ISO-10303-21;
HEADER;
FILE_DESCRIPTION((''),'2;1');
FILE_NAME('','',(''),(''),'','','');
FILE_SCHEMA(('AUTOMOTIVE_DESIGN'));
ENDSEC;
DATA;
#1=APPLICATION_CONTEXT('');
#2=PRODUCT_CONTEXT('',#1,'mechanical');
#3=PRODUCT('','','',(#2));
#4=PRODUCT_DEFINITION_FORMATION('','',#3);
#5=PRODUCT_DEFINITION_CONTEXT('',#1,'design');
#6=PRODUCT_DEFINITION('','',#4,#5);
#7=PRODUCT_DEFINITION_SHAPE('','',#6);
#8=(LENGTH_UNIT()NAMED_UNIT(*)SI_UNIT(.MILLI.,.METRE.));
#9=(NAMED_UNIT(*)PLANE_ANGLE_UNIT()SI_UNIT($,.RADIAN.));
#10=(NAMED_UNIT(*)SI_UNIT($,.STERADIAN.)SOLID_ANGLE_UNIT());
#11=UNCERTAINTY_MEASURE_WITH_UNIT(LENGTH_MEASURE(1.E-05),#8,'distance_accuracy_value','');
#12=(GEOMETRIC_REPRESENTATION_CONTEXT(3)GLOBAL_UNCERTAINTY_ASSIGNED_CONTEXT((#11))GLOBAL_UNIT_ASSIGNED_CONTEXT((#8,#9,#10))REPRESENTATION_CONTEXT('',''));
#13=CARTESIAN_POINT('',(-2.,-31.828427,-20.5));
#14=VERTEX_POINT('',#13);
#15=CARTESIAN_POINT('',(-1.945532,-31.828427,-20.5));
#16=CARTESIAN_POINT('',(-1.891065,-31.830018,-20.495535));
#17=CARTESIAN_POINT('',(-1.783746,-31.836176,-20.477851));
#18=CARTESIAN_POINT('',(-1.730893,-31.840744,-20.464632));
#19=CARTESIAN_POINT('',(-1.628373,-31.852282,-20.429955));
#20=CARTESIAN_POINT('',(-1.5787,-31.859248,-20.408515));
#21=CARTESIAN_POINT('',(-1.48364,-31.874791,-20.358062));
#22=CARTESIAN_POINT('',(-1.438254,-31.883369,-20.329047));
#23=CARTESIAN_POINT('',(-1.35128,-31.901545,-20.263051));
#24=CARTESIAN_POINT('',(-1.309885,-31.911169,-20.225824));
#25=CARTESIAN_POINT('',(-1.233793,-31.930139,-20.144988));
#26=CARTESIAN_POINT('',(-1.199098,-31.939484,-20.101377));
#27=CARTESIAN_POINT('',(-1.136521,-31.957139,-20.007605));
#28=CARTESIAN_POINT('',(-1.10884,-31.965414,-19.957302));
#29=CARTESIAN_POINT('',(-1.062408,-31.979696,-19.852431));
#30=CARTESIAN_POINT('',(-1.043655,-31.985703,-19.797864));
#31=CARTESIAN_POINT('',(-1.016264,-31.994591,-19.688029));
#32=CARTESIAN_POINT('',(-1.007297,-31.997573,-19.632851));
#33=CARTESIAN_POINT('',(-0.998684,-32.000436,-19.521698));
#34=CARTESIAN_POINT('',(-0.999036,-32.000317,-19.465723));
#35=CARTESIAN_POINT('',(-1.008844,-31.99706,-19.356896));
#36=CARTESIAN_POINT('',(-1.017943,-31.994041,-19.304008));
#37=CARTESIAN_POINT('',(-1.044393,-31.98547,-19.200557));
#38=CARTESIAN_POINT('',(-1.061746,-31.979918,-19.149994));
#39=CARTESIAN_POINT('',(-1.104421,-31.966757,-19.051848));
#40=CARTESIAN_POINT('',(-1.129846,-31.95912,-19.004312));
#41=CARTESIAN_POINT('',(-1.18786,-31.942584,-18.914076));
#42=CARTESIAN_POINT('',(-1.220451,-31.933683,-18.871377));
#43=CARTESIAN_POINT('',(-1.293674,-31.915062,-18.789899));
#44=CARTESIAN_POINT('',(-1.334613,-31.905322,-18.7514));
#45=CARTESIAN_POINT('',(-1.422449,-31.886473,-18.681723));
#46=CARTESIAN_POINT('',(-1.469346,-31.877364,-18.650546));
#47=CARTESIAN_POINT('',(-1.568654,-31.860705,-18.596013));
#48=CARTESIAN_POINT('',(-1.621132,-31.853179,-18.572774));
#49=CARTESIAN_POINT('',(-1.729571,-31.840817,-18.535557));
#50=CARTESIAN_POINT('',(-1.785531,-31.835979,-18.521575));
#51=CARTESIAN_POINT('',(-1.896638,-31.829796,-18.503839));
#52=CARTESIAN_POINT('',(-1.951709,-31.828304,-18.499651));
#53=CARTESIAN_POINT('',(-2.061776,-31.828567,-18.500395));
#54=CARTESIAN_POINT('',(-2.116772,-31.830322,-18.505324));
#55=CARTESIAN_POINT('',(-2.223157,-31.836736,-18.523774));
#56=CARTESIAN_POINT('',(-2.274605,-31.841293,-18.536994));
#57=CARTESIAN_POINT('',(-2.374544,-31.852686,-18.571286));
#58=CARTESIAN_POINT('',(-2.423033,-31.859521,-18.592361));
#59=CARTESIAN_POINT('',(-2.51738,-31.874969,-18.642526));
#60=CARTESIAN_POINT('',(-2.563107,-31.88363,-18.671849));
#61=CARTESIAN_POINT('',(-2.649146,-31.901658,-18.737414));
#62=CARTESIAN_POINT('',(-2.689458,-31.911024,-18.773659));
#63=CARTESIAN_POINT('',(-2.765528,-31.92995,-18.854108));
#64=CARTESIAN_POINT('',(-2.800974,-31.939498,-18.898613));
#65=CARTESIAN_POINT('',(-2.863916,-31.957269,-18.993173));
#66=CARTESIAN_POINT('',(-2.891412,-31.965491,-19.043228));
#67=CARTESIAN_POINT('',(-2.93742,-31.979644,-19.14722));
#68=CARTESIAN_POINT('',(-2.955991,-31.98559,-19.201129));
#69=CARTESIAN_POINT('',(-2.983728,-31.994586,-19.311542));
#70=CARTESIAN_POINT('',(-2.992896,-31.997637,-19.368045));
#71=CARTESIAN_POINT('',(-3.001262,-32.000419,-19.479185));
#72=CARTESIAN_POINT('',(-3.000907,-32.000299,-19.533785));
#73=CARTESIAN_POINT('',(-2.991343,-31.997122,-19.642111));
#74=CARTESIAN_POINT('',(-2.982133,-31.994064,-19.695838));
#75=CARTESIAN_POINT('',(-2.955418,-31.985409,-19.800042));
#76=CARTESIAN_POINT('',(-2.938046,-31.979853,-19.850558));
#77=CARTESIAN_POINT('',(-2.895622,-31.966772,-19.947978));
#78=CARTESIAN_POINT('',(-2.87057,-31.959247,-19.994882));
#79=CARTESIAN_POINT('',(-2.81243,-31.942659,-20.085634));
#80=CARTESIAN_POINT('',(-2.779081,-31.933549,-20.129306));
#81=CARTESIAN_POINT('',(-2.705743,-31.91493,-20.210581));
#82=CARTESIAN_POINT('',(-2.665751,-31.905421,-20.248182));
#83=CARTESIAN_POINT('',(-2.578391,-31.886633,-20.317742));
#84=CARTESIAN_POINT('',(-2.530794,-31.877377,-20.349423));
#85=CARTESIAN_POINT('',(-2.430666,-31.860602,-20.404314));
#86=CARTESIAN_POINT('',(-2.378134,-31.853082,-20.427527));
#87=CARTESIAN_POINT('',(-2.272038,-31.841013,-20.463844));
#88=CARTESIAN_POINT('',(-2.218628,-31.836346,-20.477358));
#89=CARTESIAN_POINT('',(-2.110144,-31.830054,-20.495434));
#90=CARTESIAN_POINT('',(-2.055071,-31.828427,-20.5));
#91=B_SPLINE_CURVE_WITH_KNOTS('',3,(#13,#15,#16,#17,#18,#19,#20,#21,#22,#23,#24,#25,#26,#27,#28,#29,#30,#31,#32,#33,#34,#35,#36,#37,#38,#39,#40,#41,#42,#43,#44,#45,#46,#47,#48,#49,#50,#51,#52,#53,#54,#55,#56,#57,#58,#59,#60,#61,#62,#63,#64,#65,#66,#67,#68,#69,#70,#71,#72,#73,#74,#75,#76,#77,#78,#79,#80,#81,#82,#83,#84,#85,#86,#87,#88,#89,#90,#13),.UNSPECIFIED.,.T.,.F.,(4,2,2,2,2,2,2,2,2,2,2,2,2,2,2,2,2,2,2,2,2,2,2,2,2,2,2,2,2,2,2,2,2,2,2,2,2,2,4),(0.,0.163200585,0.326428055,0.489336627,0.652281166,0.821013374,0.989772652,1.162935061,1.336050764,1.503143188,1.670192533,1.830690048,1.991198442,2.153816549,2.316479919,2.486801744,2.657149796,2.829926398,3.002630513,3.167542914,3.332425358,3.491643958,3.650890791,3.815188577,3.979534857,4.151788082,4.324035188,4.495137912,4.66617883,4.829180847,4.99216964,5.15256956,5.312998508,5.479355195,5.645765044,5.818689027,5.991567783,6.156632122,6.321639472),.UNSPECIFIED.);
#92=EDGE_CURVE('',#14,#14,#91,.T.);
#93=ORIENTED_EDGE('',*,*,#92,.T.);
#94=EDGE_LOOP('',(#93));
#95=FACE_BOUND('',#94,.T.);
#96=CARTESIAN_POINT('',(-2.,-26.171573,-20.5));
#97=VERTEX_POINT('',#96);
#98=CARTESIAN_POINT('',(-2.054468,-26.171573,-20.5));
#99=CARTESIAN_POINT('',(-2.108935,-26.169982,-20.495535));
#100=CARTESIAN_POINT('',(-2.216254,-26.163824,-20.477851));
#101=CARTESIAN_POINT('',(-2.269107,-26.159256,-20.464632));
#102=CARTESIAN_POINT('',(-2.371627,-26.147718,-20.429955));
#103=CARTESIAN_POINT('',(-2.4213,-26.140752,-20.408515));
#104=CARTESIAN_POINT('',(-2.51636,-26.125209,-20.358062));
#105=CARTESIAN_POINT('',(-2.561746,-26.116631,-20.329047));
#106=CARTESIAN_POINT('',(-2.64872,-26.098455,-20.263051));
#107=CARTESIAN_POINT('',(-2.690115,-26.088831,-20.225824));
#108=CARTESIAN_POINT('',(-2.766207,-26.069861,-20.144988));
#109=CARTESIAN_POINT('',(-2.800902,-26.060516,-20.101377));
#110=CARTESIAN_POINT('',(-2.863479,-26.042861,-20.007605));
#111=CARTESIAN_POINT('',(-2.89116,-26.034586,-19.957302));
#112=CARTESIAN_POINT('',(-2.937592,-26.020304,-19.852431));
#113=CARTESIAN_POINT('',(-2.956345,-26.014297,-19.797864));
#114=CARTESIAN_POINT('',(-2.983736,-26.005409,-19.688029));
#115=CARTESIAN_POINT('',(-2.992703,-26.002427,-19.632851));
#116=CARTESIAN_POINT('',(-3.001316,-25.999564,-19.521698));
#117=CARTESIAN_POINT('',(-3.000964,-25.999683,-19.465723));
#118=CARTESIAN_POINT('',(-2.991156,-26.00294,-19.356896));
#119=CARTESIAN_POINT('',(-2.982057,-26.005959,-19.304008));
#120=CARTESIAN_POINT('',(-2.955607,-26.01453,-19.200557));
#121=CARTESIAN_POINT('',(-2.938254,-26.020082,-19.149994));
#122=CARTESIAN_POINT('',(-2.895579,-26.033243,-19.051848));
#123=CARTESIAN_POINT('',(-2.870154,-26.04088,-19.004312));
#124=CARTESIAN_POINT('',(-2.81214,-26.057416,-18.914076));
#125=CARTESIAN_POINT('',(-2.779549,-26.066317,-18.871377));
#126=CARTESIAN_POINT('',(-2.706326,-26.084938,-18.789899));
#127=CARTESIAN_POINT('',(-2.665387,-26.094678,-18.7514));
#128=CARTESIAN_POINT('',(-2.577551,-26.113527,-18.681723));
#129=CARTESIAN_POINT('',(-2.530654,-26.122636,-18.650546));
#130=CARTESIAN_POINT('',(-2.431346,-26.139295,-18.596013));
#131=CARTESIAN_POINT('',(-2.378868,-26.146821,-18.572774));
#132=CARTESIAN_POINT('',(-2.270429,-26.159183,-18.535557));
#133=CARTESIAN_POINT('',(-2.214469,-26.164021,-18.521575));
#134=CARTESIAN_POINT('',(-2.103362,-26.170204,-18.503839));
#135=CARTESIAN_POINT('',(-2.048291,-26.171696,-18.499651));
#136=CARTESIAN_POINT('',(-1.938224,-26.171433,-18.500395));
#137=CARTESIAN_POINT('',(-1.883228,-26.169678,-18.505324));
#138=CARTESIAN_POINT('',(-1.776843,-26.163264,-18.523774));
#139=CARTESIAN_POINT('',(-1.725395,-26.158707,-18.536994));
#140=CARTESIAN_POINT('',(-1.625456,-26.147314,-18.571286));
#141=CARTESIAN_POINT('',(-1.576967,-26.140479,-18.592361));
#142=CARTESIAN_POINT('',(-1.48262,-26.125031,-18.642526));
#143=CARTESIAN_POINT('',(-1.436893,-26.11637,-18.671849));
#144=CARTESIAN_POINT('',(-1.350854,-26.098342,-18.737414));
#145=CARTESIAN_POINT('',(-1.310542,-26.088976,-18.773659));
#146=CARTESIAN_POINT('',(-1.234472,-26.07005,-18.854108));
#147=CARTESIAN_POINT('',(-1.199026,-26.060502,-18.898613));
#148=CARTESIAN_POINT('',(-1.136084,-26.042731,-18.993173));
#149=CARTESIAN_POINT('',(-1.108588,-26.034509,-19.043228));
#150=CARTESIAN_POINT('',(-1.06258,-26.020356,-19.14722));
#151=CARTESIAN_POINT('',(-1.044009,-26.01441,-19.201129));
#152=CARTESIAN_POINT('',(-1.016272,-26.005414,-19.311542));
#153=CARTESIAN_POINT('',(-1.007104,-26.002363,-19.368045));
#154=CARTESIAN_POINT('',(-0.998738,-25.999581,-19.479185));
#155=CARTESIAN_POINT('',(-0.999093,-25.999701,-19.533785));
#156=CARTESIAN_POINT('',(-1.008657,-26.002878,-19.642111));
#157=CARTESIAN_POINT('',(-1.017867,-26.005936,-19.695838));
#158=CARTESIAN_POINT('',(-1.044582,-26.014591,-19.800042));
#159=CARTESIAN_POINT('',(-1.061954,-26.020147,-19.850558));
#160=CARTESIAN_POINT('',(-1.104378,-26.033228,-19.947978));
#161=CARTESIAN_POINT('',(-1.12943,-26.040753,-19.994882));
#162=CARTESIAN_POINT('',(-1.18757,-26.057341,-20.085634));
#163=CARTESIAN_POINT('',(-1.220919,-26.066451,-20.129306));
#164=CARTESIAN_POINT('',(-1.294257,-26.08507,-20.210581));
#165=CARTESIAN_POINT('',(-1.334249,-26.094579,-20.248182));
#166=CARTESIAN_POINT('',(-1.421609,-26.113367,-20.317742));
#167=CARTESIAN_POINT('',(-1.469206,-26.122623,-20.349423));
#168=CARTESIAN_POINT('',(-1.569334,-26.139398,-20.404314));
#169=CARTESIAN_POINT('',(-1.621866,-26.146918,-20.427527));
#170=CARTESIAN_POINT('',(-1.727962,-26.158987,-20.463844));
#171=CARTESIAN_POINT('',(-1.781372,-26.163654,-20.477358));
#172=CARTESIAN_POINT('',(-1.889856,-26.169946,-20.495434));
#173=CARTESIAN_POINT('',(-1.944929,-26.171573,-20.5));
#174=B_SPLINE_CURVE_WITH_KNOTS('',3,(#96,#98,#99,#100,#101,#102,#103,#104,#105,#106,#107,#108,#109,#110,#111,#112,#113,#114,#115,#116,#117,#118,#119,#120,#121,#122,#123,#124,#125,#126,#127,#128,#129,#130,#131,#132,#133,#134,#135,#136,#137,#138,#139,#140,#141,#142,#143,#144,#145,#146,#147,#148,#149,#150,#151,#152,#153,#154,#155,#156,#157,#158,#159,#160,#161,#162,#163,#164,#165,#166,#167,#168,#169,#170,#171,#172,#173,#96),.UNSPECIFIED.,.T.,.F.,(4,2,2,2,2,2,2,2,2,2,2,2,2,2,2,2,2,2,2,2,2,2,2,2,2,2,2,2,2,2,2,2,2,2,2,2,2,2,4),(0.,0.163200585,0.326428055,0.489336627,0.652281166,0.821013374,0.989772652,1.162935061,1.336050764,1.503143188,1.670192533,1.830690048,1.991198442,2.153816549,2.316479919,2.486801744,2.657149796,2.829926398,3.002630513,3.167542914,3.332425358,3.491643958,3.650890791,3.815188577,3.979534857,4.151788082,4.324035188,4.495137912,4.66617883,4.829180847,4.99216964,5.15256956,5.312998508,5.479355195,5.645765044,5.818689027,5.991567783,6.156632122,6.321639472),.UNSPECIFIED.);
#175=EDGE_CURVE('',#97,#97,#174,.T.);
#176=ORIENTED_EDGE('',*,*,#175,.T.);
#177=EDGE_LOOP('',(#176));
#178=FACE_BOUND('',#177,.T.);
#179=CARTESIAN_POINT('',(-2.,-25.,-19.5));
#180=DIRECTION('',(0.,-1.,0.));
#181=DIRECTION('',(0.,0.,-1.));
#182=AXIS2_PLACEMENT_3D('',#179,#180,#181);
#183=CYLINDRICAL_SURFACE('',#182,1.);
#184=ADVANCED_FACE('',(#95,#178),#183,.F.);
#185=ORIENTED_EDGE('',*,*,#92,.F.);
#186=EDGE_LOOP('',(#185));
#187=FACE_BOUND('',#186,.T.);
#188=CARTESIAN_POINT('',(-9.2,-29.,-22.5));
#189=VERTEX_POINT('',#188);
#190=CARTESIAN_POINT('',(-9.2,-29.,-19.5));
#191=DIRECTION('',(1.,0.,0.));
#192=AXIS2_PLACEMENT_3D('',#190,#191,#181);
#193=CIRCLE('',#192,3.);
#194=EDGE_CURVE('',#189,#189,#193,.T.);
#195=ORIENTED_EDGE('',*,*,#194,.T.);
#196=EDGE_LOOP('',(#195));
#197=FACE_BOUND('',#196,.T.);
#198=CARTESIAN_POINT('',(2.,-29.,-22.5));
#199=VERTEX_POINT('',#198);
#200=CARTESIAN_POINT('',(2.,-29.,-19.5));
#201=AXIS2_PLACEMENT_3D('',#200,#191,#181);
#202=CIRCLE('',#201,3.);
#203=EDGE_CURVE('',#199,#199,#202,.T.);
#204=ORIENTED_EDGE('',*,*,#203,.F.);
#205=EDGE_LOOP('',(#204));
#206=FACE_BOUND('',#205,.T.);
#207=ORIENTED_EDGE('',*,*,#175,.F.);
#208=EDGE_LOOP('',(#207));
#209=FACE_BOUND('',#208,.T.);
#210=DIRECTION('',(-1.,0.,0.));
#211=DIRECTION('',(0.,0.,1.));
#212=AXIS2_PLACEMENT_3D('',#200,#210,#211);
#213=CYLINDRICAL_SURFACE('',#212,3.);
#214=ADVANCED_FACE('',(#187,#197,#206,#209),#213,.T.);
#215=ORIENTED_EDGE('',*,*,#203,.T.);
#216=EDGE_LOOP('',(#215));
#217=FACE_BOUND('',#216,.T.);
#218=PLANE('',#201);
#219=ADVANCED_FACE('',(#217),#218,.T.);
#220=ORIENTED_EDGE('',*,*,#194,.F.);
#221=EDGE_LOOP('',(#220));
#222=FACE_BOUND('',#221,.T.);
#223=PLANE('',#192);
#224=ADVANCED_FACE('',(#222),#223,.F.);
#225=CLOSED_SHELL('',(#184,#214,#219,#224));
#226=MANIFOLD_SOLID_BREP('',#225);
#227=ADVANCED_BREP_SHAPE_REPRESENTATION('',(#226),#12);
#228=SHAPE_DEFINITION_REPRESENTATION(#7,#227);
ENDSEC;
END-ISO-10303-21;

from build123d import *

# Parameters (mm, degrees)
FINISHED_SHAFT_ALLOCATION_SKETCH_R = 3
FINISHED_SHAFT_ALLOCATION_DEPTH    = 11.2
COUPLING_CROSS_PIN_BORE_SKETCH_R   = 1
COUPLING_CROSS_PIN_BORE_DEPTH      = 8


with BuildPart() as part:
    # Finished shaft allocation sketch → Finished shaft allocation (new body)
    with BuildSketch(Plane(origin=(-9.2, 0, 0), x_dir=(0, 0, -1), z_dir=(1, 0, 0))):
        with Locations((19.5, -29)):
            Circle(FINISHED_SHAFT_ALLOCATION_SKETCH_R)
    extrude(amount=FINISHED_SHAFT_ALLOCATION_DEPTH)

    # Coupling cross pin bore sketch → Coupling cross pin bore (cut)
    with BuildSketch(Plane(origin=(0, -33, 0), x_dir=(1, 0, 0), z_dir=(0, 1, 0))):
        with Locations(Location((-2, 19.5, 0), (0, 0, 90))):
            Circle(COUPLING_CROSS_PIN_BORE_SKETCH_R)
    extrude(amount=COUPLING_CROSS_PIN_BORE_DEPTH, mode=Mode.SUBTRACT)


solid = part.part
